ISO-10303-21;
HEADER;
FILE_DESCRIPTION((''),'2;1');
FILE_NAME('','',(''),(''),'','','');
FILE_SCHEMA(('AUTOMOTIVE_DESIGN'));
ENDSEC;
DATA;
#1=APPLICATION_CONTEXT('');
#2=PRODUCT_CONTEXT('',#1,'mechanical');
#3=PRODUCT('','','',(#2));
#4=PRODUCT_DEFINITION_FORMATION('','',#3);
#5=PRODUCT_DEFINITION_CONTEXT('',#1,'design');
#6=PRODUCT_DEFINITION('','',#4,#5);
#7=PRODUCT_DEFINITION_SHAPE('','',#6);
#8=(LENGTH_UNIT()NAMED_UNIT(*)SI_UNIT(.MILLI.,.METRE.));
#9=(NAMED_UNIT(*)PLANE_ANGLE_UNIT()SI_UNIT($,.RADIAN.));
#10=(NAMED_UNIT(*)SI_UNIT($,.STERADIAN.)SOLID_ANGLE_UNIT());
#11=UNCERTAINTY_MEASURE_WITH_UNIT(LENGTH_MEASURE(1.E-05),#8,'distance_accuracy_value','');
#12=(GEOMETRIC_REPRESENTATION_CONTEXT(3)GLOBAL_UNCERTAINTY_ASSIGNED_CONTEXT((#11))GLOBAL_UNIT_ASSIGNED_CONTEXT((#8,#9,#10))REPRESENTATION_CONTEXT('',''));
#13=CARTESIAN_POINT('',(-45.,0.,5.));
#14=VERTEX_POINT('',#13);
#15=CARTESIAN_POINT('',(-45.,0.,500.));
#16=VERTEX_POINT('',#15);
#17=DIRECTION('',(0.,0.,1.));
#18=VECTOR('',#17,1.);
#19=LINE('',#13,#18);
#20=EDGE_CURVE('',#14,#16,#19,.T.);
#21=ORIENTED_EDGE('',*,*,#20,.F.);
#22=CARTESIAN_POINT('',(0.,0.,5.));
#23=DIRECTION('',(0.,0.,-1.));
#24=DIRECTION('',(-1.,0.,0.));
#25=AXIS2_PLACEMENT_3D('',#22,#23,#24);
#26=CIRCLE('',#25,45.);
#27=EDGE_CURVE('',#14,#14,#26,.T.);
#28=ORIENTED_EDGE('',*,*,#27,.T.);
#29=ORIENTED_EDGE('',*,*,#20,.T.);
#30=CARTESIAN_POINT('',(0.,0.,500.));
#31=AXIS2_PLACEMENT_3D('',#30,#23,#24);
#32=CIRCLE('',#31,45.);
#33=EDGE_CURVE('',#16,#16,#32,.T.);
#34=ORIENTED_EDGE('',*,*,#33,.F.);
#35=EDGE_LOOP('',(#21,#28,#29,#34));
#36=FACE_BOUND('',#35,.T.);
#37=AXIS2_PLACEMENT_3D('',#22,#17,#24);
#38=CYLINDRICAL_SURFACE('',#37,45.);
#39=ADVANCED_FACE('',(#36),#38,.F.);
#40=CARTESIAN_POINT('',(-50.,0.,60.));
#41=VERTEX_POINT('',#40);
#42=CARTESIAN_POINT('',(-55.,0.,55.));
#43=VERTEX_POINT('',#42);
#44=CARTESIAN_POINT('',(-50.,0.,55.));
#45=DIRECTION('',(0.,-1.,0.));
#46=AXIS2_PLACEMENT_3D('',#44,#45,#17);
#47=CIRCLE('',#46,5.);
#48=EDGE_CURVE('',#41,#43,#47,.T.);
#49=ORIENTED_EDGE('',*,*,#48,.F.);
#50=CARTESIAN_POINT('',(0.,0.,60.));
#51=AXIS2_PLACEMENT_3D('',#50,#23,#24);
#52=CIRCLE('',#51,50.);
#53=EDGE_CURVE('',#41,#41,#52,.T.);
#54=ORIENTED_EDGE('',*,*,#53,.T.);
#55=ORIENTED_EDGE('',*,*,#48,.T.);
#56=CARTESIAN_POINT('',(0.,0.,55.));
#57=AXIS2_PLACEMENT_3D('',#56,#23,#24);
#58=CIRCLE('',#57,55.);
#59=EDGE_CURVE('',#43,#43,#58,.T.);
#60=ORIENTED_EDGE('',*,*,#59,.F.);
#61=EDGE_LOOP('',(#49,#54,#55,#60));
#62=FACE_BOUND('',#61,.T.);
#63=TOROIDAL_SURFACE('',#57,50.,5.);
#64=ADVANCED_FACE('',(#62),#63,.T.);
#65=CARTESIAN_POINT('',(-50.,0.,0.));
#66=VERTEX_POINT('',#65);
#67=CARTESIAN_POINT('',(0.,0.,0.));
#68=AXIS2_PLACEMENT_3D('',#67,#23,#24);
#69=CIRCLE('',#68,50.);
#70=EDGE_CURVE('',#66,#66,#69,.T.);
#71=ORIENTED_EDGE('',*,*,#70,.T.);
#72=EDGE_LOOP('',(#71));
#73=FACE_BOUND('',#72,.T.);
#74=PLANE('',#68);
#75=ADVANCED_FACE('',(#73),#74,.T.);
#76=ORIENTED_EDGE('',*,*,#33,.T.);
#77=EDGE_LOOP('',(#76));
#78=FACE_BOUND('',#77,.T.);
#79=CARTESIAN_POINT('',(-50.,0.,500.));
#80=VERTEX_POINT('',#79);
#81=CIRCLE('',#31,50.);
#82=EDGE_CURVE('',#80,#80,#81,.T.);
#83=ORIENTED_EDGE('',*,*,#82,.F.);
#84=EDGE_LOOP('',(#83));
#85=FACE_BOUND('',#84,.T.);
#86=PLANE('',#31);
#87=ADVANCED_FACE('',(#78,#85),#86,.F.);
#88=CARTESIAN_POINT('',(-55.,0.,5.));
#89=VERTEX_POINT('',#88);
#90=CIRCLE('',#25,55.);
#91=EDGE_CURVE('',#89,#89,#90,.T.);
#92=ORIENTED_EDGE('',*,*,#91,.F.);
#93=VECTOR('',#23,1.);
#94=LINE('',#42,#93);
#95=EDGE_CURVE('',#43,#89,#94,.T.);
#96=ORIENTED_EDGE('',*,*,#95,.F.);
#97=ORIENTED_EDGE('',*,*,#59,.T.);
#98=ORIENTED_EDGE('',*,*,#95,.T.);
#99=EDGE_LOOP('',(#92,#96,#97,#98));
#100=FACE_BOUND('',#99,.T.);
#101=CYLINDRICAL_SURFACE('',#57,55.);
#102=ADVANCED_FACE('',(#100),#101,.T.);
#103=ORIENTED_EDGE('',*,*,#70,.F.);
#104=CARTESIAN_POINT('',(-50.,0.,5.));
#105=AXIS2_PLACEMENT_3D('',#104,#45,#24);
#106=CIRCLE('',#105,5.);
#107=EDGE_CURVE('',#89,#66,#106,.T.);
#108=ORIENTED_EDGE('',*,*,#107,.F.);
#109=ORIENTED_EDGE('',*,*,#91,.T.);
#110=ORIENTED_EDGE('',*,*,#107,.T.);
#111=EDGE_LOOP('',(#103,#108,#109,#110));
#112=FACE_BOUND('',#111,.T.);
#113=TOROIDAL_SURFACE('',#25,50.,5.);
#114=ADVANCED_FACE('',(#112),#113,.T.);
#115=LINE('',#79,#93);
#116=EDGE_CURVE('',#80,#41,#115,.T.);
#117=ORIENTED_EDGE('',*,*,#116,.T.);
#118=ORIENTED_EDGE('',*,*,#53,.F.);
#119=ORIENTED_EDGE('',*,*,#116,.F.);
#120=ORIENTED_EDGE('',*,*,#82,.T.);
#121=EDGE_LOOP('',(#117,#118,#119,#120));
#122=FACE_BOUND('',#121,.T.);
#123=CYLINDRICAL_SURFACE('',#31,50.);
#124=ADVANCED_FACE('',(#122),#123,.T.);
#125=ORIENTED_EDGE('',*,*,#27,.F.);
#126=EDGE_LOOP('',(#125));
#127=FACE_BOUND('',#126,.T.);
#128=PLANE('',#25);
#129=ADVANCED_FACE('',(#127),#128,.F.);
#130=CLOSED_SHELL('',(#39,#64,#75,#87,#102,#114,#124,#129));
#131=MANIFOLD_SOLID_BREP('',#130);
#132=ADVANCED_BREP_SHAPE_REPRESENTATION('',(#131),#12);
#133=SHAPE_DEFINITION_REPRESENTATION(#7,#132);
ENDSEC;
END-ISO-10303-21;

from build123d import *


with BuildPart() as f1:
    # F0 (on Front) → F1 (revolve)
    with BuildSketch(Plane.XZ):
        with BuildLine():
            Line((-50, 0), (-50, 60))
            ThreePointArc((-50, 60), (-53.5355339059, 58.5355339059), (-55, 55))
            Line((-55, 55), (-55, 5))
            ThreePointArc((-55, 5), (-53.5355339059, 1.4644660941), (-50, 0))
        make_face()
        Polygon((-45, 5), (-45, 500), (-50, 500), (-50, 60), (-50, 0), (0, 0), (0, 5), align=None)
    revolve(axis=Axis((0, 0, 250), (0, 0, -1)))


solid = f1.part
